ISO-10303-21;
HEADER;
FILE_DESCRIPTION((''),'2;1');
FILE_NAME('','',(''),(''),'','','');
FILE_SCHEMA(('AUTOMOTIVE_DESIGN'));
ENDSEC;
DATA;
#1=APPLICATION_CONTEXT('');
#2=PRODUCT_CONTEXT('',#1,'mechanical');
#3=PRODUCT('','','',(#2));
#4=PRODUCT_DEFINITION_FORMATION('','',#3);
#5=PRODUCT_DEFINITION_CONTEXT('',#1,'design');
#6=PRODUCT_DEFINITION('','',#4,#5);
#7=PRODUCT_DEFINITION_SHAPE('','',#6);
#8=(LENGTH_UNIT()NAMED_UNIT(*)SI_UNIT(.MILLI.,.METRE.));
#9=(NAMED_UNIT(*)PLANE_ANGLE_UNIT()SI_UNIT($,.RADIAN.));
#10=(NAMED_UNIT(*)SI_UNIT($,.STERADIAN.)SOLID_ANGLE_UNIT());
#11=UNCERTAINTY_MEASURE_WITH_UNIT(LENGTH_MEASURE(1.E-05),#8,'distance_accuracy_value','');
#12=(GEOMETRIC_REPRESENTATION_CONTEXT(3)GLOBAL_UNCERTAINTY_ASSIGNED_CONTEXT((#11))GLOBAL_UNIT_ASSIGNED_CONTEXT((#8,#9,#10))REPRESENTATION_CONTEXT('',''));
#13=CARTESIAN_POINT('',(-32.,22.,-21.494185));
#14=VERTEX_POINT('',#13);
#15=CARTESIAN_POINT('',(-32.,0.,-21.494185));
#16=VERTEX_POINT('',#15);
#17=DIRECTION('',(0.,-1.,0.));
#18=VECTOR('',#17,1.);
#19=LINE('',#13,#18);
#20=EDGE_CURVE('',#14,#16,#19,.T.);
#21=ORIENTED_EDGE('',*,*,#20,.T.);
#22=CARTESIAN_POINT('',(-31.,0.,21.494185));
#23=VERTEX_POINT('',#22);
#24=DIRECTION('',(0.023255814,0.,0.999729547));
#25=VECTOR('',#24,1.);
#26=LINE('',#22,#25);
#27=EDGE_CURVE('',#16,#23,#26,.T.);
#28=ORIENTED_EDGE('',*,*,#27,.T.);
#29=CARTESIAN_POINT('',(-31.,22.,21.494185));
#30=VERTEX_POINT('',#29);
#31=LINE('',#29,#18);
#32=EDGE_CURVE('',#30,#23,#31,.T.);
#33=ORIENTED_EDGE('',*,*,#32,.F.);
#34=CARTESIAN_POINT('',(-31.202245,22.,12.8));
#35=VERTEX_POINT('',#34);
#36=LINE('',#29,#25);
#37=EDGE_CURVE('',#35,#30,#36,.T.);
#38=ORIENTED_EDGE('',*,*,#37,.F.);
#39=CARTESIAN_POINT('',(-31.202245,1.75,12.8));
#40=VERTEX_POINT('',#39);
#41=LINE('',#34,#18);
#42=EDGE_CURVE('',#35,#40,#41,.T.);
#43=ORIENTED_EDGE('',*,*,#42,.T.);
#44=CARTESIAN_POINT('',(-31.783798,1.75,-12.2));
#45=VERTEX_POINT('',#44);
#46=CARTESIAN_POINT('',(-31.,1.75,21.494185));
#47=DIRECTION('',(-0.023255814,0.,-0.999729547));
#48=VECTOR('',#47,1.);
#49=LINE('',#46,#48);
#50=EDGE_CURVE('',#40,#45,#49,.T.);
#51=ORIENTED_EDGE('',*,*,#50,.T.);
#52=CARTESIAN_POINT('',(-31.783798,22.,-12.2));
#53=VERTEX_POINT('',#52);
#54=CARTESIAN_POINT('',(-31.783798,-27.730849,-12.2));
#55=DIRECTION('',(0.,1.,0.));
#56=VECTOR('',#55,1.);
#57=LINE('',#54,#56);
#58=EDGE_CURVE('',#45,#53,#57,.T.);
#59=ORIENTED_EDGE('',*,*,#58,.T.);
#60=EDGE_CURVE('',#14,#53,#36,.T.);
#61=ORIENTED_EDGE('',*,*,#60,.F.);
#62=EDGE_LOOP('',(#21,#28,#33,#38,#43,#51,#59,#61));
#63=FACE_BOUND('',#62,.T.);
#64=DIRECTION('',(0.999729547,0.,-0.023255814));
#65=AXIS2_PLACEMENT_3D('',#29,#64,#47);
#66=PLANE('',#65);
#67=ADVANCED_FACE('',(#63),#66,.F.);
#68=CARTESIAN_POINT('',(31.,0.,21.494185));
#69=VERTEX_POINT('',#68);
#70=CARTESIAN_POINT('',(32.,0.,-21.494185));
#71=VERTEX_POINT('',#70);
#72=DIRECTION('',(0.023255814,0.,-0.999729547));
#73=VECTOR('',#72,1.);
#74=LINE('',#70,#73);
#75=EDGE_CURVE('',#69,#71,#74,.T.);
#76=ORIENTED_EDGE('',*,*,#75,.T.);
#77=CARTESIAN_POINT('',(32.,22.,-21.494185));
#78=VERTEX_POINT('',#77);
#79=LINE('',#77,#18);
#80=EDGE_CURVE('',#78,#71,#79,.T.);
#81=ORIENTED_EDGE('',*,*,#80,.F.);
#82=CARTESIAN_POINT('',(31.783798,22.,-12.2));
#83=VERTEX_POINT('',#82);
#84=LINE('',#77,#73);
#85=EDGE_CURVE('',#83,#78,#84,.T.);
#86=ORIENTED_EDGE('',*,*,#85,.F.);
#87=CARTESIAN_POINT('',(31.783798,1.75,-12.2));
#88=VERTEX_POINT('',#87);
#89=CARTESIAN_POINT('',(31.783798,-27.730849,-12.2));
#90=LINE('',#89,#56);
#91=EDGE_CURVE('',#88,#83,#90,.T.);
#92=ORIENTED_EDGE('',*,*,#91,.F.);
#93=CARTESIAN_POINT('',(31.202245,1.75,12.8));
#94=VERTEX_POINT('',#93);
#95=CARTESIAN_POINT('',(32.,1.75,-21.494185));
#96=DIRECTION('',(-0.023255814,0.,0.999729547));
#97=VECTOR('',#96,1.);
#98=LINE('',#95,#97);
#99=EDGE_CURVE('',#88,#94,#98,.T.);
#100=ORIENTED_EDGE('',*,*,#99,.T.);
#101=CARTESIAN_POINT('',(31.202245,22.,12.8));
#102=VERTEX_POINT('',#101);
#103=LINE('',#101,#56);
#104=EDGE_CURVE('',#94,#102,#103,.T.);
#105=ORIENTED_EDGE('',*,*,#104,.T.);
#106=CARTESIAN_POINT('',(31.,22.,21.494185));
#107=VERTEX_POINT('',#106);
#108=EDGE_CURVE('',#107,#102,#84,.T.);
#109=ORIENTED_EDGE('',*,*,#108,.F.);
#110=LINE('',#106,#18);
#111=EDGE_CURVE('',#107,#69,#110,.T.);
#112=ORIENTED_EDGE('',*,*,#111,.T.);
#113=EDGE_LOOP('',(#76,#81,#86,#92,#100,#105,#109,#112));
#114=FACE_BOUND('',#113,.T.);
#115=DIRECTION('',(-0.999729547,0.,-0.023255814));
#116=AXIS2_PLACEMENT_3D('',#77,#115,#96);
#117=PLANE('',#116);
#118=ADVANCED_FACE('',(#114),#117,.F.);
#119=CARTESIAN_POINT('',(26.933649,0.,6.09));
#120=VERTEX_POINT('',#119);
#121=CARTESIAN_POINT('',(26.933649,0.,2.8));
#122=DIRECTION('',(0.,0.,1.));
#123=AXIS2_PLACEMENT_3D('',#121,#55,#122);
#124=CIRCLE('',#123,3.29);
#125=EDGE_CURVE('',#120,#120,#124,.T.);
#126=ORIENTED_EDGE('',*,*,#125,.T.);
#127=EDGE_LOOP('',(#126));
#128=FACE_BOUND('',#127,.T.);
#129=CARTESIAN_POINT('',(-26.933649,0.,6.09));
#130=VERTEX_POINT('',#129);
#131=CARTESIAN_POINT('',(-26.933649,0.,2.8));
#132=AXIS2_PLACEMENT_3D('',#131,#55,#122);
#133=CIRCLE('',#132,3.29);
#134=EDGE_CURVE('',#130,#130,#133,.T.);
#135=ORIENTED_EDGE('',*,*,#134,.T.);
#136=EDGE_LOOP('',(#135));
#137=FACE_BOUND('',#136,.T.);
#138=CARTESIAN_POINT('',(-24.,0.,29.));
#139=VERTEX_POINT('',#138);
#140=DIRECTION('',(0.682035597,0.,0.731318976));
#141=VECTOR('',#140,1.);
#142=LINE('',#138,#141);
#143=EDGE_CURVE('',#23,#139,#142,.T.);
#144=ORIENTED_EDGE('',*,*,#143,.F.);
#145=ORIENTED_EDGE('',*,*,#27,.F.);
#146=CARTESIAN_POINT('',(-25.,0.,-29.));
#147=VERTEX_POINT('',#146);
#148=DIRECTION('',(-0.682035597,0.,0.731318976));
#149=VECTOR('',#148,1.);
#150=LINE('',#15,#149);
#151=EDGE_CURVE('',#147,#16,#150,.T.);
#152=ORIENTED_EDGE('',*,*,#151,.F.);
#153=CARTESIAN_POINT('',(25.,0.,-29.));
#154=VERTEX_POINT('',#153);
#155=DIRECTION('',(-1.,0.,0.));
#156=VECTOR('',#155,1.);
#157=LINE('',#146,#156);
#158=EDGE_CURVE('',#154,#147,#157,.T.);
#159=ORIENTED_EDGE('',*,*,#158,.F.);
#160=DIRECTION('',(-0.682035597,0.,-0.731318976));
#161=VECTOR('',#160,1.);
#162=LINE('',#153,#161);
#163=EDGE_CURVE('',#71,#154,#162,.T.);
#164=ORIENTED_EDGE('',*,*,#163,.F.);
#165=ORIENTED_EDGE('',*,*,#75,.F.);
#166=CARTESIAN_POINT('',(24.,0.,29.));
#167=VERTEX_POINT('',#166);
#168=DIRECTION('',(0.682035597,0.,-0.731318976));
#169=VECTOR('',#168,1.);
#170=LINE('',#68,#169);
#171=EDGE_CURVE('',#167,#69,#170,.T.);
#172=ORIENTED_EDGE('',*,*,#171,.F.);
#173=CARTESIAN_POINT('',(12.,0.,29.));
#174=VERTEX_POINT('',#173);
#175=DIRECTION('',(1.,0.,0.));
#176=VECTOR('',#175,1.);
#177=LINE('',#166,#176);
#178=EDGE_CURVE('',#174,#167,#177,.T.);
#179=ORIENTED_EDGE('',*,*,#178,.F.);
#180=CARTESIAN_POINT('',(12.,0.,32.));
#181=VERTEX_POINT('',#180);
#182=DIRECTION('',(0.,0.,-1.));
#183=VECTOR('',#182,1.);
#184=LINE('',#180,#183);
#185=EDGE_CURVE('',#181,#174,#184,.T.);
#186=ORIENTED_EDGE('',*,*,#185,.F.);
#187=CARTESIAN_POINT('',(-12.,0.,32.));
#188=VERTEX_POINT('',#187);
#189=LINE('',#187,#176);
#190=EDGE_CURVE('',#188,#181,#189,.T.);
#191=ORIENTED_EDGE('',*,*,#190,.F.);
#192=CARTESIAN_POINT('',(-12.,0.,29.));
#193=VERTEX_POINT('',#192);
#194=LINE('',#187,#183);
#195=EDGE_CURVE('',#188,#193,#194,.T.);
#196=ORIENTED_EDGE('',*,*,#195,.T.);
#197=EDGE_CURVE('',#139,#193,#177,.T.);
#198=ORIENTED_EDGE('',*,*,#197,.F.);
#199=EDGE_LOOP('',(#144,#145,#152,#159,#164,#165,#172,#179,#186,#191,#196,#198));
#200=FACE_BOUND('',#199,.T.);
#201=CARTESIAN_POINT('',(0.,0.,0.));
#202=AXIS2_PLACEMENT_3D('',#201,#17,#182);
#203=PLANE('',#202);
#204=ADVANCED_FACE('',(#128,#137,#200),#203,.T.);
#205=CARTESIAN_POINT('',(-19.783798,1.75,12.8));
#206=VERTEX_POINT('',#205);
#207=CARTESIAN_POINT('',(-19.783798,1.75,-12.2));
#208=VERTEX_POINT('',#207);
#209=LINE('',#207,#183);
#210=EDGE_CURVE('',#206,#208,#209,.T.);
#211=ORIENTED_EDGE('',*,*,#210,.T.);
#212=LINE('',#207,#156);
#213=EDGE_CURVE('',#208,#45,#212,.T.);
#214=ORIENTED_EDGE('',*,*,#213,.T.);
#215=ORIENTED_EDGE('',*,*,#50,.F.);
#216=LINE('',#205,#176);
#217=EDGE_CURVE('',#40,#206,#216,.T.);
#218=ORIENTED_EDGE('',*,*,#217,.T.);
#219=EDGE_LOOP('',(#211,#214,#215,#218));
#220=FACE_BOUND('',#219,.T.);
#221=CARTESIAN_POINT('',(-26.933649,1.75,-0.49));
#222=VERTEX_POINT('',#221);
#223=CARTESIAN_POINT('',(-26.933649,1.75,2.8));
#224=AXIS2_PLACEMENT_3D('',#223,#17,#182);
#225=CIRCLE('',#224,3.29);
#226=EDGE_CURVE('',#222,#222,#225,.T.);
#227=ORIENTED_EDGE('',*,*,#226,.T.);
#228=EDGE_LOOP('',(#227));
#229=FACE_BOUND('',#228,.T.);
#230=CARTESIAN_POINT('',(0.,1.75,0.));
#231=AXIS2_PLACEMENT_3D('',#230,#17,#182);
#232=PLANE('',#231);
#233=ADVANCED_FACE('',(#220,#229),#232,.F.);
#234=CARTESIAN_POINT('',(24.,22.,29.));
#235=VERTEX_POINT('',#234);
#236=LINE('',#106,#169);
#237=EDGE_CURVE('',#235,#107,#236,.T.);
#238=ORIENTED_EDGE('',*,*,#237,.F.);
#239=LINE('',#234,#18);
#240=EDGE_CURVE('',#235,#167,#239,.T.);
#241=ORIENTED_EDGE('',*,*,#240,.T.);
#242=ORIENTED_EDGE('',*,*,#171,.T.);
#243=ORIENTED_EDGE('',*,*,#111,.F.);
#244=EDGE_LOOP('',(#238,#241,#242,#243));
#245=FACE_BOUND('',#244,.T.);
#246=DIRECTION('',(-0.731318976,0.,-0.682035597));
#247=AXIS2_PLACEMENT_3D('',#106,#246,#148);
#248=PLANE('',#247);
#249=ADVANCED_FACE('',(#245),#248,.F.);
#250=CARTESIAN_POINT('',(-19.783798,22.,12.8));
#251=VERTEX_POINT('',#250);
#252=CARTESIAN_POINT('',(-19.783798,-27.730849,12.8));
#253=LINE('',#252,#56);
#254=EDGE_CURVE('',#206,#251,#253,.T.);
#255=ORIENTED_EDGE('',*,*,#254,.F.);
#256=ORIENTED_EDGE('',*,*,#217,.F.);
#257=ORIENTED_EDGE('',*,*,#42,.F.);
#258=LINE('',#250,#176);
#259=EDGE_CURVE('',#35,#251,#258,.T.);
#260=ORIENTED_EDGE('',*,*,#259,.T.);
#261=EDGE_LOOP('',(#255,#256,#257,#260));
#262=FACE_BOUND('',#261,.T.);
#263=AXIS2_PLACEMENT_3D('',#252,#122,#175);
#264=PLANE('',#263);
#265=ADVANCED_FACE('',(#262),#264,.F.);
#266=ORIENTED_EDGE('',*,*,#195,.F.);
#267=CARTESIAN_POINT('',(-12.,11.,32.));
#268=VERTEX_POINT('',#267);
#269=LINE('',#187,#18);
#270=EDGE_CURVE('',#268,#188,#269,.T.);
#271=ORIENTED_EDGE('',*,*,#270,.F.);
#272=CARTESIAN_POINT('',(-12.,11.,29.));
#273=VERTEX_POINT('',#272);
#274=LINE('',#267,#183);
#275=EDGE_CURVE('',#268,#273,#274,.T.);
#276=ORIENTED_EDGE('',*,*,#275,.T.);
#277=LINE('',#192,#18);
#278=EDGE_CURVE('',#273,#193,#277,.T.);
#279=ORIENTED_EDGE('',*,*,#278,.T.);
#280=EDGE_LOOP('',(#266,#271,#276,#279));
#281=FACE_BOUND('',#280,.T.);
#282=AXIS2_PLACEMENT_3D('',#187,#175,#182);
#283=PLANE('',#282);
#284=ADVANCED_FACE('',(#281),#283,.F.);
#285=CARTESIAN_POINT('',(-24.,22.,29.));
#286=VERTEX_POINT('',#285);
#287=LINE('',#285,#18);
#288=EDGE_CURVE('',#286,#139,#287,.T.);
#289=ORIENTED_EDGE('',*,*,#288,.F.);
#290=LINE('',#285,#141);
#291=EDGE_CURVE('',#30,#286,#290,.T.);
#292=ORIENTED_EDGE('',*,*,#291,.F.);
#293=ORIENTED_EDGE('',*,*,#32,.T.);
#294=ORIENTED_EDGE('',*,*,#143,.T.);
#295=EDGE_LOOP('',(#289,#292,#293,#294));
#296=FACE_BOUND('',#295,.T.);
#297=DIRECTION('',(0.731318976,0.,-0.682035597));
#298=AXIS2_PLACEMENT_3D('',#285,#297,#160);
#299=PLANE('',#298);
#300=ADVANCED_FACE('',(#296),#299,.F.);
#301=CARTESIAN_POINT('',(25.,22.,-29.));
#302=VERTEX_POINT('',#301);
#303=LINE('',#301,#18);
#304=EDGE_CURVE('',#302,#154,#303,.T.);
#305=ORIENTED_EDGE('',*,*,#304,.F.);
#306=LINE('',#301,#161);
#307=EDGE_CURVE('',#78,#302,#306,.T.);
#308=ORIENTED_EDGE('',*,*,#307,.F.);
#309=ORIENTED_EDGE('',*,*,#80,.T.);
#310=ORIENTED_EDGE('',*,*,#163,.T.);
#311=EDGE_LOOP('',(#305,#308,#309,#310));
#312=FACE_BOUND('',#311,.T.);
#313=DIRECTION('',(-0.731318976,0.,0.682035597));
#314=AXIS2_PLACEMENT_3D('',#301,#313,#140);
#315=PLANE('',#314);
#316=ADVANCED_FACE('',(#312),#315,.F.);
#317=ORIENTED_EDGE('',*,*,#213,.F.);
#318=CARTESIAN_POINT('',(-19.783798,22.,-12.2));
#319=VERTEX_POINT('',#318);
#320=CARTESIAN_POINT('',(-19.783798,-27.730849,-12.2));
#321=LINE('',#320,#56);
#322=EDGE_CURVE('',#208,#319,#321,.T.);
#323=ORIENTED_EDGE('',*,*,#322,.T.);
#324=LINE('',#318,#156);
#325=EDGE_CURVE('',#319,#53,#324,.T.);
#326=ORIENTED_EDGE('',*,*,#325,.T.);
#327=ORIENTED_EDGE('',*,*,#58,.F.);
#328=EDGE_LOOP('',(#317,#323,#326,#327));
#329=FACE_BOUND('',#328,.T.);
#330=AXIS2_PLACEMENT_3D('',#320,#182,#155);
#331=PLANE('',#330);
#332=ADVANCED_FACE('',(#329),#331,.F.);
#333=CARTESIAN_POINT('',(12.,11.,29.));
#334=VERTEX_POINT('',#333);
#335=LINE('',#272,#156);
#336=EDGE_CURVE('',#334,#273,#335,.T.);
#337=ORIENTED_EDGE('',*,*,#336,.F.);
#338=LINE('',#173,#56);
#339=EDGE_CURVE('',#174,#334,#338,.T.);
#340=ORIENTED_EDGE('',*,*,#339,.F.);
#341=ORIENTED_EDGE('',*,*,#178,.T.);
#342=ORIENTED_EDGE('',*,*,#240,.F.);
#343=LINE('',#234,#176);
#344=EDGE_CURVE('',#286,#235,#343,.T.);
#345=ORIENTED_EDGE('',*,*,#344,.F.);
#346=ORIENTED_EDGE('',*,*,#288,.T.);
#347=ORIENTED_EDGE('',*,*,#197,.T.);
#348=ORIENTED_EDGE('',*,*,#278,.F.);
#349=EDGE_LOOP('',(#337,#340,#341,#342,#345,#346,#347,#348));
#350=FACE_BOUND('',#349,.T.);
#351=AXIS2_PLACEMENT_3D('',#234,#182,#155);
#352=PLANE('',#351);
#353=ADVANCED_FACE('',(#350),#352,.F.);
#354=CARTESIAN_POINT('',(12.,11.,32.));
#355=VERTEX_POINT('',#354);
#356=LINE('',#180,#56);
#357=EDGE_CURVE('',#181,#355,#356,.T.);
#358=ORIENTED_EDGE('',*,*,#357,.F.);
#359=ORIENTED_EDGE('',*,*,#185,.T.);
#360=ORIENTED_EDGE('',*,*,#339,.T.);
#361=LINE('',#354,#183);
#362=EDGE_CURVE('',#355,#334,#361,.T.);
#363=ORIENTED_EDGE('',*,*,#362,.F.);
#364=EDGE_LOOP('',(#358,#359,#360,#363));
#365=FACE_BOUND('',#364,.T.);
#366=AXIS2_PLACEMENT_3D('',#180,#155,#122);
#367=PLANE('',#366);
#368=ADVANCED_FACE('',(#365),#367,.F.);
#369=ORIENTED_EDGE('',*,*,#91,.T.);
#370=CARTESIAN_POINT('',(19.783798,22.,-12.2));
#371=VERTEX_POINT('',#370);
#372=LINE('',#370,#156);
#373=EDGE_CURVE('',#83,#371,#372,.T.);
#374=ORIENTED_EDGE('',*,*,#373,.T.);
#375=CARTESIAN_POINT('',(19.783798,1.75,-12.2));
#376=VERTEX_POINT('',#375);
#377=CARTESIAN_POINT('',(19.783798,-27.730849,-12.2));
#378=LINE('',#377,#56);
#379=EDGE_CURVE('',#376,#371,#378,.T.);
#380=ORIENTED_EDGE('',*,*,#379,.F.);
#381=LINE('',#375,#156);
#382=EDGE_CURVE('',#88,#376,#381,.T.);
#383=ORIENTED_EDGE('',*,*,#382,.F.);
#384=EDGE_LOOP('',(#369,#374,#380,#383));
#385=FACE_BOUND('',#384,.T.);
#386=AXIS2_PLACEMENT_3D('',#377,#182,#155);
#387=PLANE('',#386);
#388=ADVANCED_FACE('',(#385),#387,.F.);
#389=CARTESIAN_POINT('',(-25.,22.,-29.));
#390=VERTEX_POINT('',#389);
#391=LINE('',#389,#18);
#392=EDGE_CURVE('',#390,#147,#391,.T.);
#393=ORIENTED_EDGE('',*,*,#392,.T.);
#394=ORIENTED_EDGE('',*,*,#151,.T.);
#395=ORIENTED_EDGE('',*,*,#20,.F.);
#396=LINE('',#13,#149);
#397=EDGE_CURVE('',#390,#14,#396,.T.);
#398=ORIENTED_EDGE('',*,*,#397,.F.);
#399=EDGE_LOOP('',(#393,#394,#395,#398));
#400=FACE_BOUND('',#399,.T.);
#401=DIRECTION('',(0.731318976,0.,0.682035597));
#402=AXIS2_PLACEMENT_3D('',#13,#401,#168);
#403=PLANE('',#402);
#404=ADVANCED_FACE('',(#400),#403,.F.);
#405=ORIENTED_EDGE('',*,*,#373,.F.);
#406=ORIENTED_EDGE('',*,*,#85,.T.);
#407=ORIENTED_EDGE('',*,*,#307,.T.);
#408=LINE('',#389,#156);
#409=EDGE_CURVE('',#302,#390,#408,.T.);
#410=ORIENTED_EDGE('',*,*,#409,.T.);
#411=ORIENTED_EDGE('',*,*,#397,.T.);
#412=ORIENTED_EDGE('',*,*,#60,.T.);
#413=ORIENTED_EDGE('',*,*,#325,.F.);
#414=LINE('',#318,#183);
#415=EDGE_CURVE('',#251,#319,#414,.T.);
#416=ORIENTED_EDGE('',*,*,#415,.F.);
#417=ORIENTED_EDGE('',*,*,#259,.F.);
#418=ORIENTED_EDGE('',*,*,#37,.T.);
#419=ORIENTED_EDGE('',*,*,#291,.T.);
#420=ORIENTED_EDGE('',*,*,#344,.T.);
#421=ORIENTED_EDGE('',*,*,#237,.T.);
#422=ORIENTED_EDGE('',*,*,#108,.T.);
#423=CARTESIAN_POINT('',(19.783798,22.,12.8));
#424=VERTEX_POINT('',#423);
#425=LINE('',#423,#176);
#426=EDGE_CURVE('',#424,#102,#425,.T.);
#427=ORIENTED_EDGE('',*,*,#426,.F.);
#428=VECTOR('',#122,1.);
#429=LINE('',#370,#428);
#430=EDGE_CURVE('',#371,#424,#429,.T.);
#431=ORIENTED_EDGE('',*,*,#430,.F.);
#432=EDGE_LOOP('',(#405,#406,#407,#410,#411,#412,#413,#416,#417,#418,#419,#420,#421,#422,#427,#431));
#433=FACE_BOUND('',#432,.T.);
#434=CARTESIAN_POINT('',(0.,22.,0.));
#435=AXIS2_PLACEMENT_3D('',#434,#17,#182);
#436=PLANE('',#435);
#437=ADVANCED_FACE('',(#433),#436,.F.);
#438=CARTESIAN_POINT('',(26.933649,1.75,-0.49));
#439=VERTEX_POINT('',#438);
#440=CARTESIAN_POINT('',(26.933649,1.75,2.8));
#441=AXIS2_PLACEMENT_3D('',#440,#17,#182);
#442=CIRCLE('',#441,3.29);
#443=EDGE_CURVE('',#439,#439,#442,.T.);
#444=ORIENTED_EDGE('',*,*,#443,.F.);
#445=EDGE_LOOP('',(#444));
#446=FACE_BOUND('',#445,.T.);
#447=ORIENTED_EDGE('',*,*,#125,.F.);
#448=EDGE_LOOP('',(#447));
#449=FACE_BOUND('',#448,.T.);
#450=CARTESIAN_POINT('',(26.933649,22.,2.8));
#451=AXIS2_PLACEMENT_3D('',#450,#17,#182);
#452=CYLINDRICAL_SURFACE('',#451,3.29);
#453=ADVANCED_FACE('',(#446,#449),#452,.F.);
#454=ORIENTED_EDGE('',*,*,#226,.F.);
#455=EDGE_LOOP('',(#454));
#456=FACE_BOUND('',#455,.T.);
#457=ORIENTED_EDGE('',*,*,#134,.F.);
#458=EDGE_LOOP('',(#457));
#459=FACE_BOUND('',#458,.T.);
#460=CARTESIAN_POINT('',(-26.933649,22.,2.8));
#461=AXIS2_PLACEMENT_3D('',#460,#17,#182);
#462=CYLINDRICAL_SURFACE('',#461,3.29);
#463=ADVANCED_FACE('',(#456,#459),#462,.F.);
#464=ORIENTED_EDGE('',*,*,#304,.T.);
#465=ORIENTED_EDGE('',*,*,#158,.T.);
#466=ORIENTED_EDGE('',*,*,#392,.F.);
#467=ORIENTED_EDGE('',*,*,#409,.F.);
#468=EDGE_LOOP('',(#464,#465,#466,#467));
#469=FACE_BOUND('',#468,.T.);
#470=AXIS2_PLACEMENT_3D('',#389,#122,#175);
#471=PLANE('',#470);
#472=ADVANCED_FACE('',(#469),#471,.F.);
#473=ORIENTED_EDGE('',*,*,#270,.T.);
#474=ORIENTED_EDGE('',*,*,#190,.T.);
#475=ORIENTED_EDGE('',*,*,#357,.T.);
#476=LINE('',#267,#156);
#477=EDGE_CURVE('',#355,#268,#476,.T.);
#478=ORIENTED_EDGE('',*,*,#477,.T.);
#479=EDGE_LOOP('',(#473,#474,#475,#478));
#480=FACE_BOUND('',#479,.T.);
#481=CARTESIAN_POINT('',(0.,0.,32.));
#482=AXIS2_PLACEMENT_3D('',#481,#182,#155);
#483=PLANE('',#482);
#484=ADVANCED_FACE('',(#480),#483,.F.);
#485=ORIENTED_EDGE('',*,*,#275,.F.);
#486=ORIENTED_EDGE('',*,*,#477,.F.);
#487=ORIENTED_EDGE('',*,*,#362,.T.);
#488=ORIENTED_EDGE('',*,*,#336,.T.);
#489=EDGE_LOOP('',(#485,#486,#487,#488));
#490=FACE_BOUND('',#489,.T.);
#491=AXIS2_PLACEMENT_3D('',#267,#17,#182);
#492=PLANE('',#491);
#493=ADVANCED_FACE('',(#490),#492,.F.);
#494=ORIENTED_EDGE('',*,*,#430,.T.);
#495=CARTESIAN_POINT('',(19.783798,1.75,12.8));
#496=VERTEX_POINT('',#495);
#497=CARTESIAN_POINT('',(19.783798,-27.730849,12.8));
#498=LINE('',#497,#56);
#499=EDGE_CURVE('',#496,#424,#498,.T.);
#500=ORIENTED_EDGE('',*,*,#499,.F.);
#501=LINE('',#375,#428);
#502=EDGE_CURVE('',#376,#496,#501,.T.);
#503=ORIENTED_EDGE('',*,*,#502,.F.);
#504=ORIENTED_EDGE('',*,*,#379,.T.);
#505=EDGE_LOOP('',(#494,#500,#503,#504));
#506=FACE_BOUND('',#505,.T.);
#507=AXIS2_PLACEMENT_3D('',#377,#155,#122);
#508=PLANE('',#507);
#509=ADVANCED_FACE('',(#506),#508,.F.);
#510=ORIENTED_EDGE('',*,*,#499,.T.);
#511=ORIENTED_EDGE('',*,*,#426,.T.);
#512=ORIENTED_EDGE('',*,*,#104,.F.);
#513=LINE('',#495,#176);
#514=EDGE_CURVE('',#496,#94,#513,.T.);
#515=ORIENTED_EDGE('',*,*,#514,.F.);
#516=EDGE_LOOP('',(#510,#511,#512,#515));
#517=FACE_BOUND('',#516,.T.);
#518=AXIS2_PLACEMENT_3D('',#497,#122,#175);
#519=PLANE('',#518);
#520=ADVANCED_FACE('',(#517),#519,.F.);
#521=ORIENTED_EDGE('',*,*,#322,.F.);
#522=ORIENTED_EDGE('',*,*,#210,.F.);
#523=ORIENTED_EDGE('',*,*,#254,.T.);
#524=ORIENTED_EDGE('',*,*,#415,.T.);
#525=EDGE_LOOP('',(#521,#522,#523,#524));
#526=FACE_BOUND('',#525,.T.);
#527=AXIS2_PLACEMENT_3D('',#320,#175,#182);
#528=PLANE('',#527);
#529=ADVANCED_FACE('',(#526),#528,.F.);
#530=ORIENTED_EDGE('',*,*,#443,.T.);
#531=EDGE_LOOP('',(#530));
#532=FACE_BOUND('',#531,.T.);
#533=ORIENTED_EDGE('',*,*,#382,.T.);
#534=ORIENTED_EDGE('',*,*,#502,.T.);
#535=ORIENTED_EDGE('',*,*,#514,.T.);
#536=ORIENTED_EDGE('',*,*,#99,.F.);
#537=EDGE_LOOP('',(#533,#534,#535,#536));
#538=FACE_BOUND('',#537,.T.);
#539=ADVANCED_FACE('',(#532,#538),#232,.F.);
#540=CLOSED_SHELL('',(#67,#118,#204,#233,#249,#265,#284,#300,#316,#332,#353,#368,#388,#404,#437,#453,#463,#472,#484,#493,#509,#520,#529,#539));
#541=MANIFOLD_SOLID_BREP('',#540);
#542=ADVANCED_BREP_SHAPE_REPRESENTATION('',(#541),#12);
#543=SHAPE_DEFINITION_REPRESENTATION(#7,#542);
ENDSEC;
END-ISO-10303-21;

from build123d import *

# Parameters (mm, degrees)
SKETCH1_R           = 3.29
BOSS_EXTRUDE1_DEPTH = 22
SKETCH2_W           = 24
SKETCH2_H           = 11
BOSS_EXTRUDE2_DEPTH = 3
SKETCH3_W           = 12
SKETCH3_H           = 25
CUT_EXTRUDE1_DEPTH  = 20.25


with BuildPart() as part:
    # Sketch1 → Boss-Extrude1 (new body)
    with BuildSketch(Plane(origin=(0, 0, 0), x_dir=(1, 0, 0), z_dir=(0, 1, 0))):
        Polygon((24, -29), (-24, -29), (-31, -21.49418526), (-32, 21.49418526), (-25, 29), (25, 29), (32, 21.49418526), (31, -21.49418526), align=None)
        with Locations(Location((-26.933648737, -2.8, 0), (0, 0, 270))):
            Circle(SKETCH1_R, mode=Mode.SUBTRACT)
        with Locations(Location((26.933648737, -2.8, 0), (0, 0, 270))):
            Circle(SKETCH1_R, mode=Mode.SUBTRACT)
    extrude(amount=BOSS_EXTRUDE1_DEPTH)

    # Sketch2 → Boss-Extrude2 (add)
    with BuildSketch(Plane.XY.offset(29)):
        with Locations((0, 5.5)):
            Rectangle(SKETCH2_W, SKETCH2_H)
    extrude(amount=BOSS_EXTRUDE2_DEPTH)

    # Sketch3 → Cut-Extrude1 (cut)
    with BuildSketch(Plane(origin=(0, 22, 0), x_dir=(1, 0, 0), z_dir=(0, 1, 0))):
        with Locations((-25.783797684, -0.3)):
            Rectangle(SKETCH3_W, SKETCH3_H)
        with Locations((25.783797684, -0.3)):
            Rectangle(SKETCH3_W, SKETCH3_H)
    extrude(amount=-CUT_EXTRUDE1_DEPTH, mode=Mode.SUBTRACT)


solid = part.part
